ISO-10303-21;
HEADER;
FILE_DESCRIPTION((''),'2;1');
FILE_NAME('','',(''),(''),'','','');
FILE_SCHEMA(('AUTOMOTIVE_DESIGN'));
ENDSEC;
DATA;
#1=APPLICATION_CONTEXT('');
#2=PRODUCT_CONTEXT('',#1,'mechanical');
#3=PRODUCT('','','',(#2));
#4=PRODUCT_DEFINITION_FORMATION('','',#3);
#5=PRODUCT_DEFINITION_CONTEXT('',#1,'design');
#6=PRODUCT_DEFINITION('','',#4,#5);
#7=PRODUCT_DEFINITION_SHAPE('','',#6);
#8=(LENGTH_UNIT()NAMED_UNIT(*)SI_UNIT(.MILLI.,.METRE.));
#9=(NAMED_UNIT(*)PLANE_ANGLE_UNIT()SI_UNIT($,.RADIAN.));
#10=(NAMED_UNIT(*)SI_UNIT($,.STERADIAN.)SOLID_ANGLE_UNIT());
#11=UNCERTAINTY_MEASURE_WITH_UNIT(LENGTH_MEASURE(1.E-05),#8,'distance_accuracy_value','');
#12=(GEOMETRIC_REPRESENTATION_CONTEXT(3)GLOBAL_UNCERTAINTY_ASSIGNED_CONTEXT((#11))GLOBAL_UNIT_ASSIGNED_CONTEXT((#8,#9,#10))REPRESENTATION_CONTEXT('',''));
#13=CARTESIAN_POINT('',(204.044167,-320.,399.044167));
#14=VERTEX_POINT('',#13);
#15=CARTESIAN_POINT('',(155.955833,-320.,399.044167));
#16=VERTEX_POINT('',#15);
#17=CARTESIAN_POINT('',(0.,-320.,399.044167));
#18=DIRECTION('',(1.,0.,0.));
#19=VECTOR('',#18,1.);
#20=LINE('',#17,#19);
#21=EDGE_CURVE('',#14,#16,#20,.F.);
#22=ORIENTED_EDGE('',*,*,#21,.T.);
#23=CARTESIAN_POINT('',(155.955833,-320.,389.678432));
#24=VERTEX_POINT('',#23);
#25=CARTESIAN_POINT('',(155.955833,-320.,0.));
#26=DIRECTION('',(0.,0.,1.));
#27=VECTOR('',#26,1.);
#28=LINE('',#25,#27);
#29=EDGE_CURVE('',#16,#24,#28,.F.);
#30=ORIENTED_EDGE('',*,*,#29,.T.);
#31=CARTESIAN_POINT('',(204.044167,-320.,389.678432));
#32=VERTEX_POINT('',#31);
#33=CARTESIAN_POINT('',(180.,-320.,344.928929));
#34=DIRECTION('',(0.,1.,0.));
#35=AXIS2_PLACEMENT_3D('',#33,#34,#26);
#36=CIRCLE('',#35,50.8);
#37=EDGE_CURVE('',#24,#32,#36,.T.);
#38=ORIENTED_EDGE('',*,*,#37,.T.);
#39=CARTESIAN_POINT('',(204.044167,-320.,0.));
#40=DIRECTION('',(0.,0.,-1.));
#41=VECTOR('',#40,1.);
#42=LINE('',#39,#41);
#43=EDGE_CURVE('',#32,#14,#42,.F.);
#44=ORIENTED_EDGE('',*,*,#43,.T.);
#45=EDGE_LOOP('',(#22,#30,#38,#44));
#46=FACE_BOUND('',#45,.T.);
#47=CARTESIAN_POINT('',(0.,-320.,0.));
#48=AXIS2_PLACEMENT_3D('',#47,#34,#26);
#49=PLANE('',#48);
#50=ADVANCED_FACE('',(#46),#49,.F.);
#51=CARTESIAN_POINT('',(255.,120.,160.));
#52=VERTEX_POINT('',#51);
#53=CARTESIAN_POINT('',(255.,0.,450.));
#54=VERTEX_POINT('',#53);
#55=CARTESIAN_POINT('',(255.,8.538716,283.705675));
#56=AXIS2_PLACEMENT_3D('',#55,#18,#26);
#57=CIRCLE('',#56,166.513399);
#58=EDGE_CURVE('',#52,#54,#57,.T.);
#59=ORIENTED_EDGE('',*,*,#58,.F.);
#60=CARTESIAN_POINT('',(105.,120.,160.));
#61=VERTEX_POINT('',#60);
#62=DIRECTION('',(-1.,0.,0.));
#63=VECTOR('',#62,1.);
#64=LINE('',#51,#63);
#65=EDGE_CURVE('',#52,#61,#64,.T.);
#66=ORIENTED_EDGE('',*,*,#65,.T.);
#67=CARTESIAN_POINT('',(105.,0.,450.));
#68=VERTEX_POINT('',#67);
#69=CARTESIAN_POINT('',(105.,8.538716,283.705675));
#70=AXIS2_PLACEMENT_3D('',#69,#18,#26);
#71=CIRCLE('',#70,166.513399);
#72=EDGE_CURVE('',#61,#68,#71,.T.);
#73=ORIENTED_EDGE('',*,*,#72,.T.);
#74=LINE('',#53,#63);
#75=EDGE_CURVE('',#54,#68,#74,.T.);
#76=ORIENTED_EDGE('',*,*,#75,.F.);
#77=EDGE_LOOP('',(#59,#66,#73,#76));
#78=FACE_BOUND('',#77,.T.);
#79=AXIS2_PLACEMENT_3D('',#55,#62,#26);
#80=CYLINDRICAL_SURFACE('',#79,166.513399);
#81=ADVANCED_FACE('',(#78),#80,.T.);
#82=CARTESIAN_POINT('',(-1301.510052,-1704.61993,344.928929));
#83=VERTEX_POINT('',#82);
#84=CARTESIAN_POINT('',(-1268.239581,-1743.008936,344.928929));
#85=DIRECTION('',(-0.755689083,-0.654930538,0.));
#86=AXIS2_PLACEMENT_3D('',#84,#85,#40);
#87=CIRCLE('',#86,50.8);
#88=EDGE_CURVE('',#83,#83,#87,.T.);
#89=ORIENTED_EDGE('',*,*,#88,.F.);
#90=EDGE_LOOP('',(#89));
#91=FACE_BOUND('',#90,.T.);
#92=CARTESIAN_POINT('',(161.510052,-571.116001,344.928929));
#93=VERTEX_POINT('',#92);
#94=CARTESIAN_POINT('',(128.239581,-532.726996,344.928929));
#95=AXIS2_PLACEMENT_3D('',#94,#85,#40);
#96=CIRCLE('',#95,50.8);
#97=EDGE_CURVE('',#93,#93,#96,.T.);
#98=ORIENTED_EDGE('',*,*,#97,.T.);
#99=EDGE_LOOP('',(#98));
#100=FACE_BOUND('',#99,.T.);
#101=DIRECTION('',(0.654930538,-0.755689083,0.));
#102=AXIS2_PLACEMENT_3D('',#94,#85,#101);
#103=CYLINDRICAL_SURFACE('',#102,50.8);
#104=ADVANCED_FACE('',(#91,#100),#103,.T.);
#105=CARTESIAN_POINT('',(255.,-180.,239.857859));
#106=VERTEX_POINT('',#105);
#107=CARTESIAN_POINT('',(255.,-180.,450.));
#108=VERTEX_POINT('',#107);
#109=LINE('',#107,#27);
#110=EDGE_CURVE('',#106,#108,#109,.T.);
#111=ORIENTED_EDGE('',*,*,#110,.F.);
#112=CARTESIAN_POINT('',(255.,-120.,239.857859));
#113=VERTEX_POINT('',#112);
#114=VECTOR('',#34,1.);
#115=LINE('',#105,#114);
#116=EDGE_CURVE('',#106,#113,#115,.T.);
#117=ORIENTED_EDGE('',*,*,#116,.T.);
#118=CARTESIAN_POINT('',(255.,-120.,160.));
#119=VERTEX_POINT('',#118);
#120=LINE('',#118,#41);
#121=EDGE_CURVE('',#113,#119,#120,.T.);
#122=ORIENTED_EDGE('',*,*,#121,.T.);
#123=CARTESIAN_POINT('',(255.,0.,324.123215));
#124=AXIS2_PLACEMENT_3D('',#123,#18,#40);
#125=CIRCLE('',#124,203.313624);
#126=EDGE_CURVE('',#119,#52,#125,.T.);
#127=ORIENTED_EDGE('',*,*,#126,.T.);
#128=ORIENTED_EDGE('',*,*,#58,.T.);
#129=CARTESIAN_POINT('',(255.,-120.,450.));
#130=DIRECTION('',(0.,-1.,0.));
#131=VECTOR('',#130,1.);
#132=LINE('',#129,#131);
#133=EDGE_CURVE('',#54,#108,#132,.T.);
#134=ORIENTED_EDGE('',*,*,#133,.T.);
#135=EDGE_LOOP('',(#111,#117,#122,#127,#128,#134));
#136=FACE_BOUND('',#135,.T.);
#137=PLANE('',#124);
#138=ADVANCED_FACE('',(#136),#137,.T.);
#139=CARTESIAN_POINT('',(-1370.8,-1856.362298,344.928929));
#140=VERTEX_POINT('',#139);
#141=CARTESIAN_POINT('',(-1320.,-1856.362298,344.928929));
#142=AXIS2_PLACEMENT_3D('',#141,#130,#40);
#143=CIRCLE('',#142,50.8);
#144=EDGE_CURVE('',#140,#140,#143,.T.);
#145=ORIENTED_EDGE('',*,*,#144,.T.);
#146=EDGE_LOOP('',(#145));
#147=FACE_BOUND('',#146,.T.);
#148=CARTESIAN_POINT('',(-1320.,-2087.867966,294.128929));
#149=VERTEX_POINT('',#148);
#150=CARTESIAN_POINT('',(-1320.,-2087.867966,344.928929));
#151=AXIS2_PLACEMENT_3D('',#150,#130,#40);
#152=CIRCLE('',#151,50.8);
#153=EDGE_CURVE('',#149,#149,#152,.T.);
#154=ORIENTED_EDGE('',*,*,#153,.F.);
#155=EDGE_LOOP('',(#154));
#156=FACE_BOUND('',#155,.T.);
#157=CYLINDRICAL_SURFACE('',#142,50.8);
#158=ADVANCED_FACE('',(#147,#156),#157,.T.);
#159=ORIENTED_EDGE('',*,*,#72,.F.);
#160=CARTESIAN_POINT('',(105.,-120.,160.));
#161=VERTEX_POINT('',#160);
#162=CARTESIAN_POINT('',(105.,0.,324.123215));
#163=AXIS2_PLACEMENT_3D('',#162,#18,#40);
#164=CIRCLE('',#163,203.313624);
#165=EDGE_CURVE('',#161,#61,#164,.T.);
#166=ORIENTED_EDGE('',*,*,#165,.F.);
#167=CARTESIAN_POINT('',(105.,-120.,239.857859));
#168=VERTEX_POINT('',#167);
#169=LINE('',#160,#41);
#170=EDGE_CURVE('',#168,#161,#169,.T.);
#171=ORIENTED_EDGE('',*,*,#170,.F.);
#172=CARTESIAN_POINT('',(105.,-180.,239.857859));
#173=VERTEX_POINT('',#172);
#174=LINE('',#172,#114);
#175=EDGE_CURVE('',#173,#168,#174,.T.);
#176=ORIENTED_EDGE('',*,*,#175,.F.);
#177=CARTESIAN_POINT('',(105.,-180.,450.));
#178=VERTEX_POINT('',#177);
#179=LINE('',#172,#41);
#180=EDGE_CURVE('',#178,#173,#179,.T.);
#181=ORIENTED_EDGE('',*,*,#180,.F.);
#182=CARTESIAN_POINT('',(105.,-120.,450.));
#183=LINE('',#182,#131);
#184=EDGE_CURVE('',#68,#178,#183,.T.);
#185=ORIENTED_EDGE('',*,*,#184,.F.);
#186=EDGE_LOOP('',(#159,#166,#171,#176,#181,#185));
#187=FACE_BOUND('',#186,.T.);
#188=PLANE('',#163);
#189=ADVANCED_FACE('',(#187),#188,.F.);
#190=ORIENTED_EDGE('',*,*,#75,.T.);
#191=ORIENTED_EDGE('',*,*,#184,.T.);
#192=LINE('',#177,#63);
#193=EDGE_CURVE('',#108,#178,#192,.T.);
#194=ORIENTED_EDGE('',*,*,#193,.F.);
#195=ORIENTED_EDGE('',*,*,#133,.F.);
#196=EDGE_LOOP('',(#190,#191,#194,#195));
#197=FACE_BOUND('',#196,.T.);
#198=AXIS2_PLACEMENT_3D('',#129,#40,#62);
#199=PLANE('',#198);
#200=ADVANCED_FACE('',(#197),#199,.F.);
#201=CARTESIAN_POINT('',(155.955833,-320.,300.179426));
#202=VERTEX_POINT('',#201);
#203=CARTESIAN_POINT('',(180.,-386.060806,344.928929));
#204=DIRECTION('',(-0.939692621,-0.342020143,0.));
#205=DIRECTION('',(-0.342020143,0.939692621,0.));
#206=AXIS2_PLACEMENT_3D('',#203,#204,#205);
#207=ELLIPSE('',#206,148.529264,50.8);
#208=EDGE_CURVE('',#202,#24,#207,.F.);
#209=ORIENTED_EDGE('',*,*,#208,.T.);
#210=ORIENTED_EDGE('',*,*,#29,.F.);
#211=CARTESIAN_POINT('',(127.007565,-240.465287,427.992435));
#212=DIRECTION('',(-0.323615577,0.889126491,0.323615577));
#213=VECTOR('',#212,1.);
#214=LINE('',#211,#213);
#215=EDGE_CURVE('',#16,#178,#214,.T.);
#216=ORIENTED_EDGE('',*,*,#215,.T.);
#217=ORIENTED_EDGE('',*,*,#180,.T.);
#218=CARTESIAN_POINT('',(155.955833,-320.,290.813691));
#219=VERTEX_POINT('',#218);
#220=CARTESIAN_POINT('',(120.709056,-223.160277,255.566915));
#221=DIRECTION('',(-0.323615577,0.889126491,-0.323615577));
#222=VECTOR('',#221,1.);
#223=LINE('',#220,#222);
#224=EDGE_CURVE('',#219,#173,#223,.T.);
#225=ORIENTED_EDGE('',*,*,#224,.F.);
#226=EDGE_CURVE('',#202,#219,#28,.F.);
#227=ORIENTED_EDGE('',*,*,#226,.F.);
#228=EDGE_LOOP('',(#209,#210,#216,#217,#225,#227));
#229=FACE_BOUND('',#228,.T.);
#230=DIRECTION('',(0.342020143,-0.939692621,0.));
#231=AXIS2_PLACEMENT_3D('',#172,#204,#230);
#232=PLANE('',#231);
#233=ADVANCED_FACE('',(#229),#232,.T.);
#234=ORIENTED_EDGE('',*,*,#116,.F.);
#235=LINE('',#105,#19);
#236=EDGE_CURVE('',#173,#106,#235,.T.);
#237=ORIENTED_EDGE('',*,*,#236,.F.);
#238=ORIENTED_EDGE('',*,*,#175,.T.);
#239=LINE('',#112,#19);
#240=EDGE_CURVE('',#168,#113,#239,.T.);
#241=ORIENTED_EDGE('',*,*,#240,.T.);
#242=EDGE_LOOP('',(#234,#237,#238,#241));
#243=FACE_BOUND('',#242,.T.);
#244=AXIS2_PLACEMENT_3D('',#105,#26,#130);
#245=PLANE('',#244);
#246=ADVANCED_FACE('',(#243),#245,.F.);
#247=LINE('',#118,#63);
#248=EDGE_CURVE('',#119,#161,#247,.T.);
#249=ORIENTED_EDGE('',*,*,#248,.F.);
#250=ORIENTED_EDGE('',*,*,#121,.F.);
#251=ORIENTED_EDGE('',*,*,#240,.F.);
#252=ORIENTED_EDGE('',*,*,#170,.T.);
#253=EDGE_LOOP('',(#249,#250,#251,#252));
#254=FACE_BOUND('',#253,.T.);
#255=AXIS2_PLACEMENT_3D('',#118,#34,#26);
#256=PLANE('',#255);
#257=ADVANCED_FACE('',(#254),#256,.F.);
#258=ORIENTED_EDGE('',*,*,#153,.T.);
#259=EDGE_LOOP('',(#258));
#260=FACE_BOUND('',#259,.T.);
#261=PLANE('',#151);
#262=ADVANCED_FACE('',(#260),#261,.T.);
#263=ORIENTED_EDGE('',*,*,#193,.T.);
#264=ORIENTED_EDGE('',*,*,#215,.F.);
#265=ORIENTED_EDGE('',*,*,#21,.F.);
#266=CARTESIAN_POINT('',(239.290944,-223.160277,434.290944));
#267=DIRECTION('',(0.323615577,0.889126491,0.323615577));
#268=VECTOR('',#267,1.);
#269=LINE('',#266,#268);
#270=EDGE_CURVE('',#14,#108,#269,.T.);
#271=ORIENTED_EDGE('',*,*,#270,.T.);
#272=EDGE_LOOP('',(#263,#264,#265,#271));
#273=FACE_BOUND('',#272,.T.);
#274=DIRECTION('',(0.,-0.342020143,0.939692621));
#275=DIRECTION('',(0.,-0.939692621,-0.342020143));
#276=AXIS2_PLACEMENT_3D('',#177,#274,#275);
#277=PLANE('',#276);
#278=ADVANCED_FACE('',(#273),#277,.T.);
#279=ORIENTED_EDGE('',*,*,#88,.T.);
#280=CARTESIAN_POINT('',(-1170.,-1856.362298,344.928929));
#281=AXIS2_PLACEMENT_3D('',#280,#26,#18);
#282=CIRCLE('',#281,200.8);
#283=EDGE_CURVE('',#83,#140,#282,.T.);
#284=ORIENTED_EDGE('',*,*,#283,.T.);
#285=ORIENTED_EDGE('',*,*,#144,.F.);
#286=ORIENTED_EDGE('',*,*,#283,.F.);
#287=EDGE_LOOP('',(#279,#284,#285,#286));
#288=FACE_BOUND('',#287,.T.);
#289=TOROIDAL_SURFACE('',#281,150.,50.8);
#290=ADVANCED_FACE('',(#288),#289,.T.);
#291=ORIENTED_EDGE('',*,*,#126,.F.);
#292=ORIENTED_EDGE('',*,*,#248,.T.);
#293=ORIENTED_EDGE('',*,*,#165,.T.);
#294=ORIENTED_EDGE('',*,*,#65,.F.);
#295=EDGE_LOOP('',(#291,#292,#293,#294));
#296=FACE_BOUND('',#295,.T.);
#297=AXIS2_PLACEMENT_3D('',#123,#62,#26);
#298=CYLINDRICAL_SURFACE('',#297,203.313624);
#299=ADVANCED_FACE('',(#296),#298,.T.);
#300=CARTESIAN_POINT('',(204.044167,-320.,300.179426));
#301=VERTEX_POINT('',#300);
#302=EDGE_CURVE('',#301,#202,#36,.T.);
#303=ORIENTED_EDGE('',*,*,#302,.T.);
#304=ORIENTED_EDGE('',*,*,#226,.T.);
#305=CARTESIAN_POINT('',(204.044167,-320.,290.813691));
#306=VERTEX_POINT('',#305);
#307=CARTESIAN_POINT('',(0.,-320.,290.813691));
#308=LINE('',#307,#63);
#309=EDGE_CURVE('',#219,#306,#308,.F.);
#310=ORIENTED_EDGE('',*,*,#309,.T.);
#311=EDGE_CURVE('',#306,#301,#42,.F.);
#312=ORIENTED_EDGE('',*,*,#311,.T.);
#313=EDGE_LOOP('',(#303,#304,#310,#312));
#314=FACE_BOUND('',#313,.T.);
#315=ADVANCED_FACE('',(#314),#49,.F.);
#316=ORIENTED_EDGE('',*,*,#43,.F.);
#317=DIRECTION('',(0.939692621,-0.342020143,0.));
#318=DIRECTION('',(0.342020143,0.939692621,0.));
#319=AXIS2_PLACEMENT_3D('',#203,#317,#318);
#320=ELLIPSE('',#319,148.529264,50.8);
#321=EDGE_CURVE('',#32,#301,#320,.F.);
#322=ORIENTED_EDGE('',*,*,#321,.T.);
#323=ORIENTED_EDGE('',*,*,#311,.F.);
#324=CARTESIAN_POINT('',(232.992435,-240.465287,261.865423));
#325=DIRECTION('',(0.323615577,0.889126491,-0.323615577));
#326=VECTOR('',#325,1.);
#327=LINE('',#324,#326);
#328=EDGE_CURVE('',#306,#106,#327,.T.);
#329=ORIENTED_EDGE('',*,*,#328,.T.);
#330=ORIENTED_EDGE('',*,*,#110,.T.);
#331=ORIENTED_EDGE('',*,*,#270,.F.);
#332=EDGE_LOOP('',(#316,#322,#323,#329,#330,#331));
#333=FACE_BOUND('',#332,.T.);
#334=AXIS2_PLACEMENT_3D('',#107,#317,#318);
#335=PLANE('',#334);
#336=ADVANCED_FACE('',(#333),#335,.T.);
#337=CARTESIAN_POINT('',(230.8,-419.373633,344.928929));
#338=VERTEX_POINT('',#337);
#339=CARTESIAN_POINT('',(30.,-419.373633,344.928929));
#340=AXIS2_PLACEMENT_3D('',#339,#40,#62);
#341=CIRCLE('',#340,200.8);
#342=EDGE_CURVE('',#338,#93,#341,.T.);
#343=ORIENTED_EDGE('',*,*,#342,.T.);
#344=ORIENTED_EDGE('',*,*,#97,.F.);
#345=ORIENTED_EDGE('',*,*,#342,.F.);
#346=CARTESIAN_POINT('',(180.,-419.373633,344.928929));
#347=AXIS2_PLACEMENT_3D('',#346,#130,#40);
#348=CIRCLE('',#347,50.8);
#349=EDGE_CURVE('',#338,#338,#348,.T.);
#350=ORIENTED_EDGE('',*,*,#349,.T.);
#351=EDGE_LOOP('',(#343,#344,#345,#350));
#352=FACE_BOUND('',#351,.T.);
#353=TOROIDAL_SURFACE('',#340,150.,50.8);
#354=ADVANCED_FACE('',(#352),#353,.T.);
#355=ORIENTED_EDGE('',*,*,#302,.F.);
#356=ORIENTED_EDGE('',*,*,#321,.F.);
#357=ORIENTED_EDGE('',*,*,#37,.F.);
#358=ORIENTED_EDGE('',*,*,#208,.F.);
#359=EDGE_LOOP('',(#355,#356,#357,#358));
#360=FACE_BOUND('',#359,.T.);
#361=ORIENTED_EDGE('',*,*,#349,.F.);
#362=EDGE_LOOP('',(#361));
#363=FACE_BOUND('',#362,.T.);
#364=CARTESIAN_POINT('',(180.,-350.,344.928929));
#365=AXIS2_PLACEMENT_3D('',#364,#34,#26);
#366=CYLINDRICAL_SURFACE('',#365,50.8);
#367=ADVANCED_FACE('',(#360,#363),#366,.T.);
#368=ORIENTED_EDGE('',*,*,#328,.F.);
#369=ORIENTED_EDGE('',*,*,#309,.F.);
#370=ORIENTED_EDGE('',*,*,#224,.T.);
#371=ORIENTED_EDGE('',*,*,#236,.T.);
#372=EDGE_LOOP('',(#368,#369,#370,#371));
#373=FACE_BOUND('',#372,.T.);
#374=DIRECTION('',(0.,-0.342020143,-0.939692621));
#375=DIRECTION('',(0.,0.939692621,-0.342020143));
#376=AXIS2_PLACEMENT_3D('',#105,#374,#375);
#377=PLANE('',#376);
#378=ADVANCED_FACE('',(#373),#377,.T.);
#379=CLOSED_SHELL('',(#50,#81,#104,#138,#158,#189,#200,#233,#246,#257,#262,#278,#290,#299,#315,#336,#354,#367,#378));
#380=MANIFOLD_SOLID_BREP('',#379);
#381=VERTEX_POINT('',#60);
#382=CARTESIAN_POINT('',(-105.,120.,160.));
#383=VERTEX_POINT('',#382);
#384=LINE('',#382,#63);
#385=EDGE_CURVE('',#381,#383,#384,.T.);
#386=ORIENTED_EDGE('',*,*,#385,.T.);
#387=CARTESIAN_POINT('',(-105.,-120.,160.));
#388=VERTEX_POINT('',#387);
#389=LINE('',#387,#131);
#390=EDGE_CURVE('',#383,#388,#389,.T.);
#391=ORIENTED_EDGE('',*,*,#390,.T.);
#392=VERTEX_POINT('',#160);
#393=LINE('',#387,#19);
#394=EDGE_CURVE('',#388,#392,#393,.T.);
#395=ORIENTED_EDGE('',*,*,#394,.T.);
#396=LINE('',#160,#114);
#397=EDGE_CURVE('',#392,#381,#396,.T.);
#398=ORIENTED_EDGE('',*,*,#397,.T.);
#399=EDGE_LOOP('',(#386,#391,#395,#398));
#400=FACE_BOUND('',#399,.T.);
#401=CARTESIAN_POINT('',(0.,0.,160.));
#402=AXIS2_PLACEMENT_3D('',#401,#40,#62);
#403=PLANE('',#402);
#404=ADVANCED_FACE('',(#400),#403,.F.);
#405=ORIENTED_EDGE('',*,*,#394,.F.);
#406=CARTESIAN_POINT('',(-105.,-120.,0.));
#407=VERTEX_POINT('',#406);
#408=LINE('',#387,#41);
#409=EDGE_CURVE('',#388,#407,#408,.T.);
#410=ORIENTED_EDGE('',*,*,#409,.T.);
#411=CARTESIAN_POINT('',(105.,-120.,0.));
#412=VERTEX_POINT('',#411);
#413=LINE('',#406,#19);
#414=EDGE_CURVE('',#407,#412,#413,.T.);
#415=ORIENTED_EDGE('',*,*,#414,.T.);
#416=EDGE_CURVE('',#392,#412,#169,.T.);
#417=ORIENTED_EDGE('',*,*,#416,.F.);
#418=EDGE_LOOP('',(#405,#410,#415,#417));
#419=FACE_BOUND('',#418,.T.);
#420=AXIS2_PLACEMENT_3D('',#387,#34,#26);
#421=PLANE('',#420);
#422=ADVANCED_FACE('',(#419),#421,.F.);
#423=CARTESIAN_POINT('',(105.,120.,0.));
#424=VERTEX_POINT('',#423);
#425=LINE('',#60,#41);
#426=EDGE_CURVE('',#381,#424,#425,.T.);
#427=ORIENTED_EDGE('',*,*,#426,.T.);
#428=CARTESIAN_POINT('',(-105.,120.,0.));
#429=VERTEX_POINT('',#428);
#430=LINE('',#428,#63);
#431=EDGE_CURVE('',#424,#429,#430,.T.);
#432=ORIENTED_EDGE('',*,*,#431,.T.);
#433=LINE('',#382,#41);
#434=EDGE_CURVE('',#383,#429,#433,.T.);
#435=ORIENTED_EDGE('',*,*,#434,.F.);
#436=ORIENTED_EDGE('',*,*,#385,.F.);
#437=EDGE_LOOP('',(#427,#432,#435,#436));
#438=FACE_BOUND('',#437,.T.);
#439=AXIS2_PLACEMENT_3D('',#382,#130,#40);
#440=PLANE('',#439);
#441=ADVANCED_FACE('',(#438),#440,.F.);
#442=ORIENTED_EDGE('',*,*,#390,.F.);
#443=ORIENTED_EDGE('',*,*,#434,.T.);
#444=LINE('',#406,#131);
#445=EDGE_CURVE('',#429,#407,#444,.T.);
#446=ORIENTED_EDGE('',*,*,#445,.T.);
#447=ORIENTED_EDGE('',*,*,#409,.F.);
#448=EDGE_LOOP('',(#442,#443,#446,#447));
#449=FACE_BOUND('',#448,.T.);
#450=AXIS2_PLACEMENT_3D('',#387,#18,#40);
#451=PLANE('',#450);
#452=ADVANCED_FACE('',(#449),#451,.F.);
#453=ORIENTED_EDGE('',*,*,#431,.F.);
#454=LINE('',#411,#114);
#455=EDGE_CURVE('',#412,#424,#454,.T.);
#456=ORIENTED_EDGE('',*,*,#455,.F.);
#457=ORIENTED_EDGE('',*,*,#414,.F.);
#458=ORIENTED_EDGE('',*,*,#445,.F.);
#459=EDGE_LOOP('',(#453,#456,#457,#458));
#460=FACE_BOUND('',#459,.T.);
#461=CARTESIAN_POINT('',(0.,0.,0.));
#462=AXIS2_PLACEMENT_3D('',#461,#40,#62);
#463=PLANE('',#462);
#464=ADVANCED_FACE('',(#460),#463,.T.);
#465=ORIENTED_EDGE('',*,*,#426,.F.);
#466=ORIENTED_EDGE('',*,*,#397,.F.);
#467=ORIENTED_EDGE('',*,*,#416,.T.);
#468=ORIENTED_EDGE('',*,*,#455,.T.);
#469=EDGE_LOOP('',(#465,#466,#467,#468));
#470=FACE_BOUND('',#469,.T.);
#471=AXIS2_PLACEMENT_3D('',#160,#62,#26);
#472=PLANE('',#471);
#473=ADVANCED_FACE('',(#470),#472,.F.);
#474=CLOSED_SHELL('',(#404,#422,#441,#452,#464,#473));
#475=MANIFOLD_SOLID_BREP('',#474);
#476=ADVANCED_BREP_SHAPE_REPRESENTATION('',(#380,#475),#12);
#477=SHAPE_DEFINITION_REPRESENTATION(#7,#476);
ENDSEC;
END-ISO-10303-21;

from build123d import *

# Parameters (mm, degrees)
CROQUIS1_W              = 210
CROQUIS1_H              = 240
SALIENTE_EXTRUIR1_DEPTH = 160
SALIENTE_EXTRUIR2_DEPTH = 150
CROQUIS3_W              = 150
CROQUIS3_H              = 210.142141412
SALIENTE_EXTRUIR3_DEPTH = 60
CROQUIS4_R              = 50.8
SALIENTE_EXTRUIR4_DEPTH = 170
CROQUIS5_W              = 150
CROQUIS5_H              = 210.142141412
SALIENTE_EXTRUIR5_DEPTH = 140
SALIENTE_EXTRUIR5_TAPER = 20
CROQUIS6_R              = 50.8
CROQUIS7_R              = 50.8
SALIENTE_EXTRUIR6_DEPTH = 100


with BuildPart() as part:
    # Croquis1 → Saliente-Extruir1 (new body)
    with BuildSketch(Plane.XY):
        Rectangle(CROQUIS1_W, CROQUIS1_H)
    extrude(amount=SALIENTE_EXTRUIR1_DEPTH)


with BuildPart() as body_2:
    # Croquis2 → Saliente-Extruir2 (new body)
    with BuildSketch(Plane(origin=(105, 0, 0), x_dir=(0, 0, -1), z_dir=(1, 0, 0))):
        with BuildLine():
            Line((-160, -120), (-450, -120))
            Line((-450, -120), (-450, 0))
            ThreePointArc((-450, 0), (-347.372372038, 162.399899092), (-160, 120))
            ThreePointArc((-160, 120), (-120.80959106, 0), (-160, -120))
        make_face()
    extrude(amount=SALIENTE_EXTRUIR2_DEPTH)

    # Croquis3 → Saliente-Extruir3 (add)
    with BuildSketch(Plane.XZ.offset(120)):
        with Locations((180, 344.928929294)):
            Rectangle(CROQUIS3_W, CROQUIS3_H)
    extrude(amount=SALIENTE_EXTRUIR3_DEPTH)

    # Croquis4 → Saliente-Extruir4 (add)
    with BuildSketch(Plane.XZ.offset(180)):
        with Locations((180, 344.928929294)):
            Circle(CROQUIS4_R)
    extrude(amount=SALIENTE_EXTRUIR4_DEPTH)

    # Croquis5 → Saliente-Extruir5 (add)
    with BuildSketch(Plane.XZ.offset(180)):
        with Locations((180, 344.928929294)):
            Rectangle(CROQUIS5_W, CROQUIS5_H)
    extrude(amount=SALIENTE_EXTRUIR5_DEPTH, taper=SALIENTE_EXTRUIR5_TAPER)

    # Barrer1: sweep along a curve in space
    with BuildLine() as barrer1_path:
        Line((180, -350, 344.928929294), (180, -419.373633231, 344.928929294))
        ThreePointArc((180, -419.373633231, 344.928929294), (166.447676995, -481.679583531, 344.928929294), (128.239580763, -532.72699565, 344.928929294))
        Line((-1268.239580763, -1743.008935638, 344.928929294), (128.239580763, -532.72699565, 344.928929294))
        ThreePointArc((-1320, -1856.362298057, 344.928929294), (-1306.447676995, -1794.056347757, 344.928929294), (-1268.239580763, -1743.008935638, 344.928929294))
        Line((-1320, -1987.867965644, 344.928929294), (-1320, -1856.362298057, 344.928929294))
    # Croquis6 → Barrer1 (sweep)
    with BuildSketch(Plane.XZ.offset(350)):
        with Locations((180, 344.928929294)):
            Circle(CROQUIS6_R)
    sweep(path=barrer1_path.line)

    # Croquis7 → Saliente-Extruir6 (add)
    with BuildSketch(Plane.XZ.offset(1987.867965644)):
        with Locations((-1320, 344.928929294)):
            Circle(CROQUIS7_R)
    extrude(amount=SALIENTE_EXTRUIR6_DEPTH)


solid = Compound([part.part, body_2.part])
